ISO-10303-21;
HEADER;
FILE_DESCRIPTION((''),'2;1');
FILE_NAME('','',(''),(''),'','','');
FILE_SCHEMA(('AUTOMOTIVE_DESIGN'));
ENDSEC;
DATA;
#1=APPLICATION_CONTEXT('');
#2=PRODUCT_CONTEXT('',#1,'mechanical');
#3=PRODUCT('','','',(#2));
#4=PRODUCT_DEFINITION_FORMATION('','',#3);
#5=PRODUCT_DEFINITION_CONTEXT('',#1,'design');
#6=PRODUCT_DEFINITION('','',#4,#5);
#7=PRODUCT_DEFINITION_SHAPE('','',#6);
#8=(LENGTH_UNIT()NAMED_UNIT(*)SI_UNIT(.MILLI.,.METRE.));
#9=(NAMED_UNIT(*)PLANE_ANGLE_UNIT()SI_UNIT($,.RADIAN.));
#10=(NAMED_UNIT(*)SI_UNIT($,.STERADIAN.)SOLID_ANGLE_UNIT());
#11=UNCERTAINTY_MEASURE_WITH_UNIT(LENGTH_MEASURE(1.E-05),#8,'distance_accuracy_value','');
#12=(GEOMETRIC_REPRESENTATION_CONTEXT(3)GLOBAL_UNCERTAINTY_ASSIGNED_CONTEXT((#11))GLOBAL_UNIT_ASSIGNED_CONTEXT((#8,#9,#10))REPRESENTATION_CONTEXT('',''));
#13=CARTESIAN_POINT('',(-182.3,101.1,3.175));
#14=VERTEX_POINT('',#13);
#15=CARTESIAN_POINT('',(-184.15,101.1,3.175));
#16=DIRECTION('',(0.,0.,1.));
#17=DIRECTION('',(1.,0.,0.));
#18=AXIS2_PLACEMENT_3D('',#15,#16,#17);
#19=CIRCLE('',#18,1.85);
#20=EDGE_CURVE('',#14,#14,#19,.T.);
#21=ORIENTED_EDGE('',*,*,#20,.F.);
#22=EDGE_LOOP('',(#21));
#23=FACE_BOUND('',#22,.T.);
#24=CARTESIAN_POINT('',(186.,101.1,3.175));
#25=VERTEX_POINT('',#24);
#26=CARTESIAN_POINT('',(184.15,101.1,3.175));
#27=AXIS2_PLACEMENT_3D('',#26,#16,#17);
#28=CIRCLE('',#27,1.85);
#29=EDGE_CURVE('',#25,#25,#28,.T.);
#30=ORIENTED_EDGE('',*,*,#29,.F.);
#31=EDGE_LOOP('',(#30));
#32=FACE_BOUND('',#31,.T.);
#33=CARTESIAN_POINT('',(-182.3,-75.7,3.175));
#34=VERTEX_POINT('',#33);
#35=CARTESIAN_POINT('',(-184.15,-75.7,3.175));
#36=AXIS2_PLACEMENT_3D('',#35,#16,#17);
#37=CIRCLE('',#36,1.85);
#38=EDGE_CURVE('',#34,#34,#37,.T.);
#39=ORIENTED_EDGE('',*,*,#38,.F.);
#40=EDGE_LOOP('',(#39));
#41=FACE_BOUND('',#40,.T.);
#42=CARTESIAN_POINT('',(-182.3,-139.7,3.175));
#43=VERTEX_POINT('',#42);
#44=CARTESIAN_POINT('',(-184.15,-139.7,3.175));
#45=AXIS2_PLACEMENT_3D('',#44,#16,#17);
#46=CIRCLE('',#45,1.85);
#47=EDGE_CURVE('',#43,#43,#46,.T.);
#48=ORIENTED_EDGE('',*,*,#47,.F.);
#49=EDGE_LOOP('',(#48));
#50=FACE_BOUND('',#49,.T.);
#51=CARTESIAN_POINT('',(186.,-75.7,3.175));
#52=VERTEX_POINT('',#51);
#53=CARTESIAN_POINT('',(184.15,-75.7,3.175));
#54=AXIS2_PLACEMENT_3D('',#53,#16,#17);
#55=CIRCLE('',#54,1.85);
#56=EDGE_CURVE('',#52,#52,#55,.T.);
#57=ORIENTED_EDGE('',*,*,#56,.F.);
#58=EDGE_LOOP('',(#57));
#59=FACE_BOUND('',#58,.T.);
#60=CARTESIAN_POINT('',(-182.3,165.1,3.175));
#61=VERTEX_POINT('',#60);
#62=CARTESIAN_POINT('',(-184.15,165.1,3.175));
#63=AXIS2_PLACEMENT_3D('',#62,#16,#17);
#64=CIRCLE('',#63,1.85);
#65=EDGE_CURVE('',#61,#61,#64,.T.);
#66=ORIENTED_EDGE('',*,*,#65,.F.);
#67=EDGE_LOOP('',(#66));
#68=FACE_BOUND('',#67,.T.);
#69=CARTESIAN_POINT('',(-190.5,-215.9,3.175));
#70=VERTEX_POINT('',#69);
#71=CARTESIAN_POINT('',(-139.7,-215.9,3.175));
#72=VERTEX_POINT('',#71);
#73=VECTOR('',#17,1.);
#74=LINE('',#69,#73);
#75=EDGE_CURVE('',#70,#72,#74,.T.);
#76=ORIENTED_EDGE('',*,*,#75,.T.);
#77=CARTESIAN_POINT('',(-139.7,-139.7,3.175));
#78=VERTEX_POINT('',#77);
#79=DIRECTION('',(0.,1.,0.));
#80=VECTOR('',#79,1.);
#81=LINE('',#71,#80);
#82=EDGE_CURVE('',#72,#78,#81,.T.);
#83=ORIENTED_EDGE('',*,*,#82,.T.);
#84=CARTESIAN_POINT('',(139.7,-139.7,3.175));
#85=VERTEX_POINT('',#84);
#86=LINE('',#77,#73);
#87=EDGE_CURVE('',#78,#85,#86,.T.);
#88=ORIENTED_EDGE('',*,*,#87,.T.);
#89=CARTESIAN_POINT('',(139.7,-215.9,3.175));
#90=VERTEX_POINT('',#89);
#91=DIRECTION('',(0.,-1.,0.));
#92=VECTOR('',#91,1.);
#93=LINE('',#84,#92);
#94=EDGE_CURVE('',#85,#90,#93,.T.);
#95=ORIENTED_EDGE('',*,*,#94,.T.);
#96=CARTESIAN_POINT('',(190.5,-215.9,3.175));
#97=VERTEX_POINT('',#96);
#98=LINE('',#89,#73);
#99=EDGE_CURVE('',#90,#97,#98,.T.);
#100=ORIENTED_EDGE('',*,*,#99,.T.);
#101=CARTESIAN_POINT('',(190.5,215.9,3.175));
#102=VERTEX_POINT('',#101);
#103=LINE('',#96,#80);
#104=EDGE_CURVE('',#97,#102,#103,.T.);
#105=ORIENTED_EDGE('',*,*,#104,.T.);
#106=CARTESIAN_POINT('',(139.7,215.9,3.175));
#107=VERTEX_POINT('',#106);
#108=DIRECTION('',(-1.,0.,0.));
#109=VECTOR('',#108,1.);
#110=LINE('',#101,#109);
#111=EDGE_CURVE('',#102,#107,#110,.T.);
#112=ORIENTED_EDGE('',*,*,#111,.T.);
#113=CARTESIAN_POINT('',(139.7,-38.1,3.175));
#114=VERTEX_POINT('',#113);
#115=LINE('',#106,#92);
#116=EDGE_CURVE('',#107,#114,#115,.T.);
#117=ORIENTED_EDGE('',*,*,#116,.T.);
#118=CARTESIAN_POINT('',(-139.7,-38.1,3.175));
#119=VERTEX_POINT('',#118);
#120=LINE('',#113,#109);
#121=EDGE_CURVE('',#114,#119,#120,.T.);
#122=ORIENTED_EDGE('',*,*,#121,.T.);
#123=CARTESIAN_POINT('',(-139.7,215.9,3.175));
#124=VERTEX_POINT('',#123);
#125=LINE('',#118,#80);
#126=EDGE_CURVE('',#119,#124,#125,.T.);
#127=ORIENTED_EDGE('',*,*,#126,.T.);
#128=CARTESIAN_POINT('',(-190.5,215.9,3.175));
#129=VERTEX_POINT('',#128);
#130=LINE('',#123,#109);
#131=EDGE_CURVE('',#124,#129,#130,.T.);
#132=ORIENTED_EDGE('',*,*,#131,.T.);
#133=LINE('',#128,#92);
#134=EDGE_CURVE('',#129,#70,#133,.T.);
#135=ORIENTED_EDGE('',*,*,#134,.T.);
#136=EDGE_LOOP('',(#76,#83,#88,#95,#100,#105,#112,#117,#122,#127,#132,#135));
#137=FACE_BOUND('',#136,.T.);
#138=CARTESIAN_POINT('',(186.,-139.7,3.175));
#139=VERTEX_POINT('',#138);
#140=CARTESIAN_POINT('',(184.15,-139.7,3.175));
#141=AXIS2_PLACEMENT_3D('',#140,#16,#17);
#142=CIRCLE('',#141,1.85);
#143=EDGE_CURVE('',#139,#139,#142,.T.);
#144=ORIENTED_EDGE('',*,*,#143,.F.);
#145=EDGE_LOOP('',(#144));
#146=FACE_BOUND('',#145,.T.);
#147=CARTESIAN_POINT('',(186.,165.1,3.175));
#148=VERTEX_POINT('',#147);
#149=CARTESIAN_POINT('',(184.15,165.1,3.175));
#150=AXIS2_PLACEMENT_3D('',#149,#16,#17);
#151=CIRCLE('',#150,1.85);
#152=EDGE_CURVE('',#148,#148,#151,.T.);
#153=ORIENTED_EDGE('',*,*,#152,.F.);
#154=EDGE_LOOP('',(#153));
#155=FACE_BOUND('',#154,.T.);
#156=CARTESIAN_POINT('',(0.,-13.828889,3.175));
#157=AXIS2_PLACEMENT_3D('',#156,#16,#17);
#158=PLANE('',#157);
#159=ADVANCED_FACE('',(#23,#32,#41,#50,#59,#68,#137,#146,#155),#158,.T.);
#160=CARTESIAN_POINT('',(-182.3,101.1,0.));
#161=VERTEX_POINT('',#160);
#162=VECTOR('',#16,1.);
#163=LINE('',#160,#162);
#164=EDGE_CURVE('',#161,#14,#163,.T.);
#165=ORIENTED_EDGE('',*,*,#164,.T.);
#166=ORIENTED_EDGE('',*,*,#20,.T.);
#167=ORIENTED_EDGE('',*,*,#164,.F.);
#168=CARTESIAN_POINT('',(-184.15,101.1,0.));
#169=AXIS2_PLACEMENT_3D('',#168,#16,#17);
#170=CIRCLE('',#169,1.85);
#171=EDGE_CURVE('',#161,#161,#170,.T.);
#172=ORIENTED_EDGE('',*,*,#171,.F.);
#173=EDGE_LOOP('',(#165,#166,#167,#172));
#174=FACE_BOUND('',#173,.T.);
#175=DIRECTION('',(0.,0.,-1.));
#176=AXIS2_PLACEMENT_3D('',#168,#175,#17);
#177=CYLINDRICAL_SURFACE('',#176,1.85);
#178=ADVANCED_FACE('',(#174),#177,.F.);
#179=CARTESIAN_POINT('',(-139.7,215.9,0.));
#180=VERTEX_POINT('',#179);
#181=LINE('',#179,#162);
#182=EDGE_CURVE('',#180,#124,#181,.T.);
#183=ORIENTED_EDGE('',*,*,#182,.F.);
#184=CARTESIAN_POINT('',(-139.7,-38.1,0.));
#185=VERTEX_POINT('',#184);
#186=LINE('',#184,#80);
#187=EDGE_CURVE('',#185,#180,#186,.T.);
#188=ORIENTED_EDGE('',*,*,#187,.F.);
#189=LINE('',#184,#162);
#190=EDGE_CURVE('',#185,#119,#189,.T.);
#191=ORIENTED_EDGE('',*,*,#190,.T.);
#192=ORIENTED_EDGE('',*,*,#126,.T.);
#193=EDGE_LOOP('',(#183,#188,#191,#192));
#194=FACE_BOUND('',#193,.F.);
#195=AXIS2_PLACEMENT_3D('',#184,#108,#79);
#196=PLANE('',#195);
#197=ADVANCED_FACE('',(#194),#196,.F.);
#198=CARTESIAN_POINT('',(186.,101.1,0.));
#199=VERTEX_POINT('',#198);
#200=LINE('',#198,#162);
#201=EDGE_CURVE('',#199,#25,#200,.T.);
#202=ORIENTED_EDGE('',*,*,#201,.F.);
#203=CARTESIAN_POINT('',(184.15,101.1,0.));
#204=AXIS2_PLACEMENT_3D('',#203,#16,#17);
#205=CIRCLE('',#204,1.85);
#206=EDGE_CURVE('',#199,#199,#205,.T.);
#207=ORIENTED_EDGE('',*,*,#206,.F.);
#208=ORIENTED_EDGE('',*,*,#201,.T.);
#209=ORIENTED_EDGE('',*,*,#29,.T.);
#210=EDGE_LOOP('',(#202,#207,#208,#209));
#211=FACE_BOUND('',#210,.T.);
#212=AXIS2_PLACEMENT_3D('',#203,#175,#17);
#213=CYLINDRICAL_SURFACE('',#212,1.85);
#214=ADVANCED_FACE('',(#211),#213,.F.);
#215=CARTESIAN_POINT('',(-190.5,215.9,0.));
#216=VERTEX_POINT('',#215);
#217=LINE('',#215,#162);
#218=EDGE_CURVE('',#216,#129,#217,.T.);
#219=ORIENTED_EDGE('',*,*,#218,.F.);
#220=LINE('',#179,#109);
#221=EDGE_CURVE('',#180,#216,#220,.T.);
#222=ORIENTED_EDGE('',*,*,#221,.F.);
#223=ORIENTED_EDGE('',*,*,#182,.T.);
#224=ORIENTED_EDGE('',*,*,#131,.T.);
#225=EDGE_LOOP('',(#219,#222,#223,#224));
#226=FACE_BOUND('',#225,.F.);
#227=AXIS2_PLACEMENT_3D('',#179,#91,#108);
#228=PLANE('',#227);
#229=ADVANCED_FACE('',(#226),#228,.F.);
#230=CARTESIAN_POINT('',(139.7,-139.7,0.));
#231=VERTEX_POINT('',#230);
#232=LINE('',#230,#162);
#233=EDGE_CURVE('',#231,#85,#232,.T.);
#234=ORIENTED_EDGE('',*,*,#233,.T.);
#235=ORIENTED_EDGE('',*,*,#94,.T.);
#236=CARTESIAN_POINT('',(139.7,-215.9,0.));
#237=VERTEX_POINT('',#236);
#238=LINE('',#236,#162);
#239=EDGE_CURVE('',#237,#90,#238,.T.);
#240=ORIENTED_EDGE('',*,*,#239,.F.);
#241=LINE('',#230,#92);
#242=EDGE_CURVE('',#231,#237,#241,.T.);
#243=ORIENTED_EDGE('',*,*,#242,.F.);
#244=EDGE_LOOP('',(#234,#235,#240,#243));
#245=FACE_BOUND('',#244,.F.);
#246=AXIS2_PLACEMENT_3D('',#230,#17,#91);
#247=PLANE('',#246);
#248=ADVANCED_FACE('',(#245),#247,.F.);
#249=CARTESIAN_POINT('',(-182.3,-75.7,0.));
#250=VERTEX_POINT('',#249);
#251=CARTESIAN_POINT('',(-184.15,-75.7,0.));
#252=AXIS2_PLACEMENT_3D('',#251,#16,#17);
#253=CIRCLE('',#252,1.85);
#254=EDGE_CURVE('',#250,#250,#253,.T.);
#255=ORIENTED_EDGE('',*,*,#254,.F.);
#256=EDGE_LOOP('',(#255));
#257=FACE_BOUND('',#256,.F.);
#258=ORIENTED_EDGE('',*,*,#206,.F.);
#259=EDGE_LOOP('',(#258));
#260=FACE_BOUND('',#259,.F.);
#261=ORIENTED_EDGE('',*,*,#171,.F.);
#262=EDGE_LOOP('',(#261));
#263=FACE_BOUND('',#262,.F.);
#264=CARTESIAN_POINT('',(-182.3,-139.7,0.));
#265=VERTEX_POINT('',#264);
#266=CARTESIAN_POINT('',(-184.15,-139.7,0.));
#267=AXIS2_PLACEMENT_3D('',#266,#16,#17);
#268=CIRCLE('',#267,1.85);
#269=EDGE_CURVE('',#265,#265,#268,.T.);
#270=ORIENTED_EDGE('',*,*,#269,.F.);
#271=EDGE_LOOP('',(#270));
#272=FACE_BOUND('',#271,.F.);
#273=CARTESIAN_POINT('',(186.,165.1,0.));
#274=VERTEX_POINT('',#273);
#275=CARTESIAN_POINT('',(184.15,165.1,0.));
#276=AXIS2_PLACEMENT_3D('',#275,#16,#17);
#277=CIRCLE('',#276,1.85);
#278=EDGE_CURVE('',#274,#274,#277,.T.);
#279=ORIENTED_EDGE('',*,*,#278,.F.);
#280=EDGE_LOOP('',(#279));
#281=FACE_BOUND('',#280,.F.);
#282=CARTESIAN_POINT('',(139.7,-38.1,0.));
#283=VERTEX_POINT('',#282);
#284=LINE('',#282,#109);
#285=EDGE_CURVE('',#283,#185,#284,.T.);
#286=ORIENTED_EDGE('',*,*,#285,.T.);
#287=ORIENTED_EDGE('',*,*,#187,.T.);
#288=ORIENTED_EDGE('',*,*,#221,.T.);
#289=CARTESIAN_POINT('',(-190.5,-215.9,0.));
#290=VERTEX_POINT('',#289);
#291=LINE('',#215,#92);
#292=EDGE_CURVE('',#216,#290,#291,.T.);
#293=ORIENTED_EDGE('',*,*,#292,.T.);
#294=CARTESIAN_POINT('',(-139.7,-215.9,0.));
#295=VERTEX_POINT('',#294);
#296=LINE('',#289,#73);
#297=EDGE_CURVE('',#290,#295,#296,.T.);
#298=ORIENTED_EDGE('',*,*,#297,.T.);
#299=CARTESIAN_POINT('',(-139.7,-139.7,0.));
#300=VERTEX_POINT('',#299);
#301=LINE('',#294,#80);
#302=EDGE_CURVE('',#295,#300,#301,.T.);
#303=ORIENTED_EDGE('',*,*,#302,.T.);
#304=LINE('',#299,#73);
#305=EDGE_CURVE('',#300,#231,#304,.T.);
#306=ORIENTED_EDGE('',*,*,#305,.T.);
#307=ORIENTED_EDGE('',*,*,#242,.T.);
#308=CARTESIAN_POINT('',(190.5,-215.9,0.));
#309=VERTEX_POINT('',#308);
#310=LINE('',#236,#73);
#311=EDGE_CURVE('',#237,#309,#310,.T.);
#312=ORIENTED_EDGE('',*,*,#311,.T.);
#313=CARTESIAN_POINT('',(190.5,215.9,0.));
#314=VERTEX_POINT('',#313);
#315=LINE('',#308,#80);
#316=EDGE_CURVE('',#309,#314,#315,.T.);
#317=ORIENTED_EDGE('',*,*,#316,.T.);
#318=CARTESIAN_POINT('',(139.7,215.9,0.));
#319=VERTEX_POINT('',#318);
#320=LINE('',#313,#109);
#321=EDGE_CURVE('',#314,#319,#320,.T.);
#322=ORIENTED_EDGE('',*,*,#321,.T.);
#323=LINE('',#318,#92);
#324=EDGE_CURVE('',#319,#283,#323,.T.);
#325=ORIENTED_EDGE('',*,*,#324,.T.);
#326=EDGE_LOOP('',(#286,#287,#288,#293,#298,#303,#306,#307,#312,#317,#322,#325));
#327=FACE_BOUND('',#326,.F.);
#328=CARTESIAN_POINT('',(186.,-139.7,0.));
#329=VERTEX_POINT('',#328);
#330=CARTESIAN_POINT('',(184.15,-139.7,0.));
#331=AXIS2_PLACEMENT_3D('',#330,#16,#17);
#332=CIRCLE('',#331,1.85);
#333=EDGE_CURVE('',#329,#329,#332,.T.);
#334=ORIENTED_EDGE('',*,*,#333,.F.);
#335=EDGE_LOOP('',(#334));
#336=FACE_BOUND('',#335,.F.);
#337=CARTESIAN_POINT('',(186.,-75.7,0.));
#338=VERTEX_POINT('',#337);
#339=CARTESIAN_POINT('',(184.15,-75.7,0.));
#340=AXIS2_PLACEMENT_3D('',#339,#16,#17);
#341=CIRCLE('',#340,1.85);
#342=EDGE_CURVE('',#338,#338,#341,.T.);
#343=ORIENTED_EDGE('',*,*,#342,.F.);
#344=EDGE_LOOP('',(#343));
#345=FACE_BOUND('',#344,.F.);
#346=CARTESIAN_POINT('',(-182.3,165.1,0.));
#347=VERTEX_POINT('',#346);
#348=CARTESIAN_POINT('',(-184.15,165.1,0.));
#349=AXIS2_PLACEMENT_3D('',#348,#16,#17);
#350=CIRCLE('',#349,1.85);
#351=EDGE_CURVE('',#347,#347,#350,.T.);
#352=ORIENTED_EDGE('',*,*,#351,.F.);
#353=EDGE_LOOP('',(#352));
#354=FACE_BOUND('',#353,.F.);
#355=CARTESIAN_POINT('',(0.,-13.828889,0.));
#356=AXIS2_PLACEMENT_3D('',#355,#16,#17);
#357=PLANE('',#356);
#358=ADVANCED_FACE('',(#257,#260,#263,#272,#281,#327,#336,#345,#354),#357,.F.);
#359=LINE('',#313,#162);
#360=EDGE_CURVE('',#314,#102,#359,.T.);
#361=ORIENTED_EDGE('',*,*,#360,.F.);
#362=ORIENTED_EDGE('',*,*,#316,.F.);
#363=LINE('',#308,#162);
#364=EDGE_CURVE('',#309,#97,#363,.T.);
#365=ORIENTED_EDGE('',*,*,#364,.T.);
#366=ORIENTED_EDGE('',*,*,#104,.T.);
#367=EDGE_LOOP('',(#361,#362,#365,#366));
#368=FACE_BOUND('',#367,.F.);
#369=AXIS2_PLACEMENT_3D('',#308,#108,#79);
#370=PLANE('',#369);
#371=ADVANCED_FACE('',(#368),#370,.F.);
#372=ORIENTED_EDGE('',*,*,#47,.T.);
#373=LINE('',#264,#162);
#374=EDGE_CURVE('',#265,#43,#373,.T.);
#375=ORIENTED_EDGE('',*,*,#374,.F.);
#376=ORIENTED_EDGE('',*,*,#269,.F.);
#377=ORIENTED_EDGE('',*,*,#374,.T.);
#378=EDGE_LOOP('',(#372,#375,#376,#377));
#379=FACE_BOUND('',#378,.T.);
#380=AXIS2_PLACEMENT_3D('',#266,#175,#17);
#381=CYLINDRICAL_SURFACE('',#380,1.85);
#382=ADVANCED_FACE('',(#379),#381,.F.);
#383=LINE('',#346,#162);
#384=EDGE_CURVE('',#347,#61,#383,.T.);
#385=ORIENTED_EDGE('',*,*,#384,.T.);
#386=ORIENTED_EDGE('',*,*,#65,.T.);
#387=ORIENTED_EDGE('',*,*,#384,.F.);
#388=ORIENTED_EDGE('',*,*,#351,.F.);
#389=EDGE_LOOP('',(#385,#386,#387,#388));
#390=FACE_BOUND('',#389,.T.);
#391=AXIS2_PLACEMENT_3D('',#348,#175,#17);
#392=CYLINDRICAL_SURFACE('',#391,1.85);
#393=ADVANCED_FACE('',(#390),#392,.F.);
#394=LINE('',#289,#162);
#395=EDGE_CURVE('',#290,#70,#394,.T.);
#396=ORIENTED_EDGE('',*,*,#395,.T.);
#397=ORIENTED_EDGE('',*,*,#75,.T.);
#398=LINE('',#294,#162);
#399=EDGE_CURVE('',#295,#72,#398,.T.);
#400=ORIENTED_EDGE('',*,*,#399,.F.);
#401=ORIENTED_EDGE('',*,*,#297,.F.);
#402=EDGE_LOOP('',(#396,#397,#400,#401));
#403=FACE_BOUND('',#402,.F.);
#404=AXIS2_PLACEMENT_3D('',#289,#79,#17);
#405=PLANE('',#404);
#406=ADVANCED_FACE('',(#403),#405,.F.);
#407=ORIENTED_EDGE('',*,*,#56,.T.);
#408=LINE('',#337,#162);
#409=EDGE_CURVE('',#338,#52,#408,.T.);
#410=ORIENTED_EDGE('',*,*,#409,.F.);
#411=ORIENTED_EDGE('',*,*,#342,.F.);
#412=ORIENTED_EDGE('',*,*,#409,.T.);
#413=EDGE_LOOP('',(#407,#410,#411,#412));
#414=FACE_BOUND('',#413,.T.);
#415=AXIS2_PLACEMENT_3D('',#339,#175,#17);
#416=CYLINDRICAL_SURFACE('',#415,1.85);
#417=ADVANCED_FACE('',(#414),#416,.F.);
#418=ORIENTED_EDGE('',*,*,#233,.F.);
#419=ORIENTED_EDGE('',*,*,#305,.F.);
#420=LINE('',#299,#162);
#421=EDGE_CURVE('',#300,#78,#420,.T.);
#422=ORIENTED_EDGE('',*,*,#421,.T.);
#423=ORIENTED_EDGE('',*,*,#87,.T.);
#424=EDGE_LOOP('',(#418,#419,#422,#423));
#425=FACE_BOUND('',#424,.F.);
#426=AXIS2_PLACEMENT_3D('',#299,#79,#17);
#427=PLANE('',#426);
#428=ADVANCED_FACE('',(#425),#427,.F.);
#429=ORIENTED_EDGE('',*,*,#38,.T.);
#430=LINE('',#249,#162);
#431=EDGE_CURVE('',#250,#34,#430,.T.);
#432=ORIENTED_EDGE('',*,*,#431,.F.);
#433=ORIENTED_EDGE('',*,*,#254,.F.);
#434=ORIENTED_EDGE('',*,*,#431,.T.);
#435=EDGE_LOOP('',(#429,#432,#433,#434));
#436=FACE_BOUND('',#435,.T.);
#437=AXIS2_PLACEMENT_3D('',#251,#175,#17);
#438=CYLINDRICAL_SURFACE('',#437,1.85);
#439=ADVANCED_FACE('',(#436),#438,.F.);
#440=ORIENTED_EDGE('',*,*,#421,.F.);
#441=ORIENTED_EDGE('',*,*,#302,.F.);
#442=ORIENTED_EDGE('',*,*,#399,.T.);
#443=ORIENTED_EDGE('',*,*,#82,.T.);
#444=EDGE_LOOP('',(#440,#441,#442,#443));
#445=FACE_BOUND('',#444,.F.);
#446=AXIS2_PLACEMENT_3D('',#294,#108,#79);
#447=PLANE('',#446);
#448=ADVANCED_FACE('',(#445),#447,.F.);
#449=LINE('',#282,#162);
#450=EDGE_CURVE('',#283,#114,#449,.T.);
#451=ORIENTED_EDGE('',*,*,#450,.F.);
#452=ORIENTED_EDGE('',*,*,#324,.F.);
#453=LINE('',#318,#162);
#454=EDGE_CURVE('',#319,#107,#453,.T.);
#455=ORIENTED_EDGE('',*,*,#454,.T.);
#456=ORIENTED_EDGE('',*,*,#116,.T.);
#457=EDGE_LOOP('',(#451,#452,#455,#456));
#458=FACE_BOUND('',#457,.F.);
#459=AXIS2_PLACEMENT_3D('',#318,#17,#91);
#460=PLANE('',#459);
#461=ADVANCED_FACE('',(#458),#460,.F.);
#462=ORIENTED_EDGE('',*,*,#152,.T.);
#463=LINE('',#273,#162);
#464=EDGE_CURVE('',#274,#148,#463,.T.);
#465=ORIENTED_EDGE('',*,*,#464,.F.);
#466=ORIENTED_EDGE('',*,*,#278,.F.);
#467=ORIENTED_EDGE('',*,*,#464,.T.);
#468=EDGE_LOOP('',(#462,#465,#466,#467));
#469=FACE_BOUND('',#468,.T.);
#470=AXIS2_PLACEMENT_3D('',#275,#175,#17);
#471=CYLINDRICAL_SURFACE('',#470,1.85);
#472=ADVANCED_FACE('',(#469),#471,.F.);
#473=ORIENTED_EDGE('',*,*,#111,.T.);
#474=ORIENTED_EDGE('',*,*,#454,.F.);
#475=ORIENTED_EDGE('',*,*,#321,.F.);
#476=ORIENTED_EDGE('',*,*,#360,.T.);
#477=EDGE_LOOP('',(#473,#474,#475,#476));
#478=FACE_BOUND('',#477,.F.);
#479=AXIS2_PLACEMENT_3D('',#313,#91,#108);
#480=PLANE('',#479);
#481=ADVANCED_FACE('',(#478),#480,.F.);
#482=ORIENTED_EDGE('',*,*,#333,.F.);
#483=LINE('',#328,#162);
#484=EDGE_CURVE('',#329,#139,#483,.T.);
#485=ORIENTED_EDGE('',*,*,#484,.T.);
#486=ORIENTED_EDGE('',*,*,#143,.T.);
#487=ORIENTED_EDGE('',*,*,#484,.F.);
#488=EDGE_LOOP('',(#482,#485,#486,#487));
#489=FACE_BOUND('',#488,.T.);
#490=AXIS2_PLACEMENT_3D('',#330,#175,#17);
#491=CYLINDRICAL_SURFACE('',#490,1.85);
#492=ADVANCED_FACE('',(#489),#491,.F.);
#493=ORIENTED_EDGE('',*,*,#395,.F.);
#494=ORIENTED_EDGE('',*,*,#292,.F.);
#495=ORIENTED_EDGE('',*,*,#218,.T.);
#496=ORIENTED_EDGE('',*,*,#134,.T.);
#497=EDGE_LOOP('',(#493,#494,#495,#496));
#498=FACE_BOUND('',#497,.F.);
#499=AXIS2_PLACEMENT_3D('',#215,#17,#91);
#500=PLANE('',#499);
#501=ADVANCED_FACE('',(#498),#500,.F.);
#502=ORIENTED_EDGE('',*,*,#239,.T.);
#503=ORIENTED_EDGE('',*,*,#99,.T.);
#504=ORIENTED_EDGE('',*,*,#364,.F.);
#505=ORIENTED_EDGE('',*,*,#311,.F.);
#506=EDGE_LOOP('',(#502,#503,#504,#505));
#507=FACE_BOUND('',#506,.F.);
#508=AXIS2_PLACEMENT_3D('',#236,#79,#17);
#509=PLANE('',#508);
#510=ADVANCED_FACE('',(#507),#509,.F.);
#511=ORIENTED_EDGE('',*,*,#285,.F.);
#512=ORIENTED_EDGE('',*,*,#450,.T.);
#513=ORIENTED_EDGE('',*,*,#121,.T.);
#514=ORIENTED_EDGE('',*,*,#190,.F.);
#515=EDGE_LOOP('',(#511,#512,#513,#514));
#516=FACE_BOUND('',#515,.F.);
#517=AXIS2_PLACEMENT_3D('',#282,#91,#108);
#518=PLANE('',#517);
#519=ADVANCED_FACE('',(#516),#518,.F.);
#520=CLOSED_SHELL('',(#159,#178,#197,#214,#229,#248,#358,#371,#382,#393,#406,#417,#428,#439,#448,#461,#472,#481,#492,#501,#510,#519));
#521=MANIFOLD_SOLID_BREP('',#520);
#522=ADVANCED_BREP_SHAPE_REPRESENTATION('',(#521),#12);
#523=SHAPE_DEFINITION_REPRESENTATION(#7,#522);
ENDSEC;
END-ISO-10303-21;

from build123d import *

# Parameters (mm, degrees)
F0_R     = 1.85
F1_DEPTH = 3.175


with BuildPart() as f1:
    # F0 (on Top) → F1 (new body)
    with BuildSketch(Plane.XY):
        Polygon((190.5, -215.9), (190.5, 215.9), (139.7, 215.9), (139.7, -38.1), (-139.7, -38.1), (-139.7, 215.9), (-190.5, 215.9), (-190.5, -215.9), (-139.7, -215.9), (-139.7, -139.7), (139.7, -139.7), (139.7, -215.9), align=None)
        with Locations((-184.15, -139.7)):
            Circle(F0_R, mode=Mode.SUBTRACT)
        with Locations((-184.15, -75.7)):
            Circle(F0_R, mode=Mode.SUBTRACT)
        with Locations((184.15, -139.7)):
            Circle(F0_R, mode=Mode.SUBTRACT)
        with Locations((184.15, -75.7)):
            Circle(F0_R, mode=Mode.SUBTRACT)
        with Locations((-184.15, 101.1)):
            Circle(F0_R, mode=Mode.SUBTRACT)
        with Locations((-184.15, 165.1)):
            Circle(F0_R, mode=Mode.SUBTRACT)
        with Locations((184.15, 101.1)):
            Circle(F0_R, mode=Mode.SUBTRACT)
        with Locations((184.15, 165.1)):
            Circle(F0_R, mode=Mode.SUBTRACT)
    extrude(amount=F1_DEPTH)


solid = f1.part
